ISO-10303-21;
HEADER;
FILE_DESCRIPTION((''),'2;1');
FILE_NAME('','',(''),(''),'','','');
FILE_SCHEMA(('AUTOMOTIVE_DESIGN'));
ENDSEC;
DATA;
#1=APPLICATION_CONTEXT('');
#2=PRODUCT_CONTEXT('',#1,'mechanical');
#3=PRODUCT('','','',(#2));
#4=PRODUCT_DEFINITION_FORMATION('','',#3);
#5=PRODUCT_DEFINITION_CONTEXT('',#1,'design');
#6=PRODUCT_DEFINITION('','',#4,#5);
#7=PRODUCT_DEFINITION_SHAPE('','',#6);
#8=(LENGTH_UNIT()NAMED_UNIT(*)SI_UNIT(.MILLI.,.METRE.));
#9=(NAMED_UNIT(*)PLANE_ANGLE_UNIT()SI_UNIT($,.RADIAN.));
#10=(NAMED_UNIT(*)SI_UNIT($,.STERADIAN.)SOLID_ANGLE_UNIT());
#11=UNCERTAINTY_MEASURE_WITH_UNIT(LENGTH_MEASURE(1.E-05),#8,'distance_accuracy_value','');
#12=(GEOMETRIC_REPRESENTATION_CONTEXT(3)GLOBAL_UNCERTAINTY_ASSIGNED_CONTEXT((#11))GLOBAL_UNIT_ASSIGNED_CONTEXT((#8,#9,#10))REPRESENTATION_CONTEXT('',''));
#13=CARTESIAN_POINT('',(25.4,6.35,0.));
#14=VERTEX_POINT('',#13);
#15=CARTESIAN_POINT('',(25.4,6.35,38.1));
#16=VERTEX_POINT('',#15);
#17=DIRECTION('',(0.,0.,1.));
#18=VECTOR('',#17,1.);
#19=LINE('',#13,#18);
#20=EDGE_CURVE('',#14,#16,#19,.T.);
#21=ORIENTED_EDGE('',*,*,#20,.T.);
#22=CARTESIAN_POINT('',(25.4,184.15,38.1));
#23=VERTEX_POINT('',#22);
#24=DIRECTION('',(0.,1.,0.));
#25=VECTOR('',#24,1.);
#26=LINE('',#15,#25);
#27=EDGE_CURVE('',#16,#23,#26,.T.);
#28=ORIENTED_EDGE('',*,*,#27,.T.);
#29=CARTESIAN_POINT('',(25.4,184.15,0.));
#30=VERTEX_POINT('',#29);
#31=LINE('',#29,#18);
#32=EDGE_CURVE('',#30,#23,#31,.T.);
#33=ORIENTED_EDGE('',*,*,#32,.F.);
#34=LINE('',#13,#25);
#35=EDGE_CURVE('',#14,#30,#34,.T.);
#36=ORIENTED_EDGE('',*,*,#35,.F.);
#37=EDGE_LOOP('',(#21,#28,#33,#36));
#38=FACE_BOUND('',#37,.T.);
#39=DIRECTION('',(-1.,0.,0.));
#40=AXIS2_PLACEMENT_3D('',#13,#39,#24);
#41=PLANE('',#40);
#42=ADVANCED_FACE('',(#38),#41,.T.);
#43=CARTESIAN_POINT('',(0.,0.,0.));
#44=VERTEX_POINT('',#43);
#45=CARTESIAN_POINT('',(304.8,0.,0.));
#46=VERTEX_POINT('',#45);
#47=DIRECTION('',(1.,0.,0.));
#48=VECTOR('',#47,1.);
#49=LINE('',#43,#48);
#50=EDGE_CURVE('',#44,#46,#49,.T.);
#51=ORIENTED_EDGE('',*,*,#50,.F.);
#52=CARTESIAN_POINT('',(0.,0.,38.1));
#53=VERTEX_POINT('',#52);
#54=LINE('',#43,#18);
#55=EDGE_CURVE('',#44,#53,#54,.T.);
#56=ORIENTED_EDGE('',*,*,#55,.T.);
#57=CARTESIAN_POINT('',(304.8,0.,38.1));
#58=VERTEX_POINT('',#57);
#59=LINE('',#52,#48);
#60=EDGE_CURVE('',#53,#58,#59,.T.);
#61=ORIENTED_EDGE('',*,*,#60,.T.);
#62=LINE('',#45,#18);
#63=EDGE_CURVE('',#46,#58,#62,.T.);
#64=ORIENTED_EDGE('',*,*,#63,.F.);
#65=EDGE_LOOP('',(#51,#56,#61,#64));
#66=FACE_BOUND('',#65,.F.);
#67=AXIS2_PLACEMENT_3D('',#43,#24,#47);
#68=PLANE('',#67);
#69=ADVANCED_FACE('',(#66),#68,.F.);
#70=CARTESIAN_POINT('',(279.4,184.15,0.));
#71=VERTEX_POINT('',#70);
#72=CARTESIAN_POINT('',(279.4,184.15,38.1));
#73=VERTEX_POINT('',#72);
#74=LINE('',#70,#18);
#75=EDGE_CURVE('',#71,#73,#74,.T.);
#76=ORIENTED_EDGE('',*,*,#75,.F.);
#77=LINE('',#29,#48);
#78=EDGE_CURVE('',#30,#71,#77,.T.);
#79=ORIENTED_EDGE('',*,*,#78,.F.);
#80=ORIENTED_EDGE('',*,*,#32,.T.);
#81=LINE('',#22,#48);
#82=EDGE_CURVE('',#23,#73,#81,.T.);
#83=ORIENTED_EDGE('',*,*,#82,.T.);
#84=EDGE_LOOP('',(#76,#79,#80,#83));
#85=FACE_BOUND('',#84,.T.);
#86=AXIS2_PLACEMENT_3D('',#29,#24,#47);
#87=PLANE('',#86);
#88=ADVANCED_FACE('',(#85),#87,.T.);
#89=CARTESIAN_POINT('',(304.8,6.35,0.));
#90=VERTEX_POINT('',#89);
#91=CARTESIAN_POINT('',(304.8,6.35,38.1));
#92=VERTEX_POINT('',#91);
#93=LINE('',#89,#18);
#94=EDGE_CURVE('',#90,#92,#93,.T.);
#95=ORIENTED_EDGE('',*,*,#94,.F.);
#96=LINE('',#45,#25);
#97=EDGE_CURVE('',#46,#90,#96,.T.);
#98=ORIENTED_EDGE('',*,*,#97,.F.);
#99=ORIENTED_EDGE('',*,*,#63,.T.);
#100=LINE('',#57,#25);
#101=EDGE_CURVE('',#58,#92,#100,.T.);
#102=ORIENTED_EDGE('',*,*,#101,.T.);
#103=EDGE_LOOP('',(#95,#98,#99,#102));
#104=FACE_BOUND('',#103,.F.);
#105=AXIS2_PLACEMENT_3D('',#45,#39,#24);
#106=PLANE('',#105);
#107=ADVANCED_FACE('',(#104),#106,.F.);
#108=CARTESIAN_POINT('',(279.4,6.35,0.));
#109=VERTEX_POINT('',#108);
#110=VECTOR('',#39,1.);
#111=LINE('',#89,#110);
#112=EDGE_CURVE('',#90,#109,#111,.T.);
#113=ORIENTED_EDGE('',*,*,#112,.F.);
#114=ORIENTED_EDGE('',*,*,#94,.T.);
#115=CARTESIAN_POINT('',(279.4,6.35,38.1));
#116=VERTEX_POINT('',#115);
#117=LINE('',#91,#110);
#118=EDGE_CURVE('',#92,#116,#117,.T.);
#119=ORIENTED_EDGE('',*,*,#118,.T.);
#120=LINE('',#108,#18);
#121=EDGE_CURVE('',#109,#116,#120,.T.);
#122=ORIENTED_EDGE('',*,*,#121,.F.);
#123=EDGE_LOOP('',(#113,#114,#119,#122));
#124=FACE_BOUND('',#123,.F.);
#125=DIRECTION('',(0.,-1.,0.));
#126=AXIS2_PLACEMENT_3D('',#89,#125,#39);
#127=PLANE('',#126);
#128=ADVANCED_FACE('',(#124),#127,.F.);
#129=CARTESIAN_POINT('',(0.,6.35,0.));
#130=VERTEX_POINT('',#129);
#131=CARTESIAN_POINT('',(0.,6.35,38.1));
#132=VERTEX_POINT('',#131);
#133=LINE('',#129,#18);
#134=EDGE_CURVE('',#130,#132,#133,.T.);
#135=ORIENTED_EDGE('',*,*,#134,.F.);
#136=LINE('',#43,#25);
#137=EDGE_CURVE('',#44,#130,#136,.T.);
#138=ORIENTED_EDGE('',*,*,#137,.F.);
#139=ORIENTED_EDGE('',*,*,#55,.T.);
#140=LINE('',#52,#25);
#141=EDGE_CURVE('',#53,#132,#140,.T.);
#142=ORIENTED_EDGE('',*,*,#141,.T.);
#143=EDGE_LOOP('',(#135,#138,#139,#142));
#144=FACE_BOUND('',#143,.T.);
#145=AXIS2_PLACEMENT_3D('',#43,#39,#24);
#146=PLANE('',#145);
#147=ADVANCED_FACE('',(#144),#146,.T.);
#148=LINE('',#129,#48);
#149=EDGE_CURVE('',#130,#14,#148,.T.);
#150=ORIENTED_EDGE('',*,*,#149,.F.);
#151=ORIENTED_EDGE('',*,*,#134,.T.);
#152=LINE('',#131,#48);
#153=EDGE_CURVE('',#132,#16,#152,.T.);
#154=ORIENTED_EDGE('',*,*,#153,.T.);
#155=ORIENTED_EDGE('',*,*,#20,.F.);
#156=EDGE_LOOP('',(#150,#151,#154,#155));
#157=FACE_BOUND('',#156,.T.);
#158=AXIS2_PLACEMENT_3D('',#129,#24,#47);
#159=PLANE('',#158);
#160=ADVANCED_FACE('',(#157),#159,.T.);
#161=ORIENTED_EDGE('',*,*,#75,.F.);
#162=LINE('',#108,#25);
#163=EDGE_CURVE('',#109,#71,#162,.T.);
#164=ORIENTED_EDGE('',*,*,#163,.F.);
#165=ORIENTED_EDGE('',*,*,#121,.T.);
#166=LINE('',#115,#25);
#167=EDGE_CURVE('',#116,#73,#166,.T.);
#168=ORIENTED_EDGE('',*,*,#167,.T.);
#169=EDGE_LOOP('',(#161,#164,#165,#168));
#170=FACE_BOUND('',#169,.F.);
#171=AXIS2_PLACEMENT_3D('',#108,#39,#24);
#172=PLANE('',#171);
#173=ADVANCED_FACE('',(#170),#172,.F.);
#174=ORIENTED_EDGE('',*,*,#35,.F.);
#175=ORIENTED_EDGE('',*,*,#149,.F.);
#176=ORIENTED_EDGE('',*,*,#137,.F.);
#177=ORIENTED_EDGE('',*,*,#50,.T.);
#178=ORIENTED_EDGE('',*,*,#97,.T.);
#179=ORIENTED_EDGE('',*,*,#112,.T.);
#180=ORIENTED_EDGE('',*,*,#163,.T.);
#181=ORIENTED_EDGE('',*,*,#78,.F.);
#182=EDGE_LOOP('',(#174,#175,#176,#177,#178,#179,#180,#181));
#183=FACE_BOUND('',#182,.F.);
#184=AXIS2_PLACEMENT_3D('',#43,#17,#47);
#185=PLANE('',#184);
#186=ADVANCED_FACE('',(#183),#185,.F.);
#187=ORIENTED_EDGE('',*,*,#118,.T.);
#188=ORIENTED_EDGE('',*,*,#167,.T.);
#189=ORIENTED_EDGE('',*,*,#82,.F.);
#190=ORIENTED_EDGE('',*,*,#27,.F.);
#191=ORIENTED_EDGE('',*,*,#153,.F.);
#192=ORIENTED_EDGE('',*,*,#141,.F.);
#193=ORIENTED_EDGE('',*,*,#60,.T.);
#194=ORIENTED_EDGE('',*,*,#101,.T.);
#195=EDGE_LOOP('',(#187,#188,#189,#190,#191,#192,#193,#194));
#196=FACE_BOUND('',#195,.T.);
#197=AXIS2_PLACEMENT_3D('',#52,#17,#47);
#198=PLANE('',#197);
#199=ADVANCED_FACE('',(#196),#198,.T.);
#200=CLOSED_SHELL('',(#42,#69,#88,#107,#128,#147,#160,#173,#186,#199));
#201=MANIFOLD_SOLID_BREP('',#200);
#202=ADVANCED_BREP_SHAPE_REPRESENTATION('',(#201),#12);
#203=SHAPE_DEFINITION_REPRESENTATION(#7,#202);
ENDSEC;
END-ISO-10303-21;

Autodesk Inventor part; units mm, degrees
ref_plane "YZ Plane" through (0, 0, 0) normal (1, 0, 0) x (0, 1, 0)
ref_plane "XZ Plane" through (0, 0, 0) normal (0, 1, 0) x (-1, 0, 0)
ref_plane "XY Plane" through (0, 0, 0) normal (0, 0, 1) x (1, 0, 0)
sketch "Sketch1" plane through (0, 0, 0) normal (0, 0, 1) x (1, 0, 0)
  line L0 (0, 0) -> (304.8, 0)
  line L1 (304.8, 0) -> (304.8, 6.35)
  line L2 (304.8, 6.35) -> (279.4, 6.35)
  line L3 (279.4, 6.35) -> (279.4, 184.15)
  line L4 (152.4, 0) -> (152.4, 43.3584) construction
  line L5 (0, 0) -> (0, 6.35)
  line L6 (0, 6.35) -> (25.4, 6.35)
  line L7 (25.4, 6.35) -> (25.4, 184.15)
  line L8 (25.4, 184.15) -> (279.4, 184.15)
  dimension "d0" = 304.8
  dimension "d1" = 6.35
  dimension "d2" = 25.4
  dimension "d3" = 177.8
extrude "Extrusion1" add sketch "Sketch1" along normal blind 38.1
properties part number "pam" material "Brass, Soft Yellow"
